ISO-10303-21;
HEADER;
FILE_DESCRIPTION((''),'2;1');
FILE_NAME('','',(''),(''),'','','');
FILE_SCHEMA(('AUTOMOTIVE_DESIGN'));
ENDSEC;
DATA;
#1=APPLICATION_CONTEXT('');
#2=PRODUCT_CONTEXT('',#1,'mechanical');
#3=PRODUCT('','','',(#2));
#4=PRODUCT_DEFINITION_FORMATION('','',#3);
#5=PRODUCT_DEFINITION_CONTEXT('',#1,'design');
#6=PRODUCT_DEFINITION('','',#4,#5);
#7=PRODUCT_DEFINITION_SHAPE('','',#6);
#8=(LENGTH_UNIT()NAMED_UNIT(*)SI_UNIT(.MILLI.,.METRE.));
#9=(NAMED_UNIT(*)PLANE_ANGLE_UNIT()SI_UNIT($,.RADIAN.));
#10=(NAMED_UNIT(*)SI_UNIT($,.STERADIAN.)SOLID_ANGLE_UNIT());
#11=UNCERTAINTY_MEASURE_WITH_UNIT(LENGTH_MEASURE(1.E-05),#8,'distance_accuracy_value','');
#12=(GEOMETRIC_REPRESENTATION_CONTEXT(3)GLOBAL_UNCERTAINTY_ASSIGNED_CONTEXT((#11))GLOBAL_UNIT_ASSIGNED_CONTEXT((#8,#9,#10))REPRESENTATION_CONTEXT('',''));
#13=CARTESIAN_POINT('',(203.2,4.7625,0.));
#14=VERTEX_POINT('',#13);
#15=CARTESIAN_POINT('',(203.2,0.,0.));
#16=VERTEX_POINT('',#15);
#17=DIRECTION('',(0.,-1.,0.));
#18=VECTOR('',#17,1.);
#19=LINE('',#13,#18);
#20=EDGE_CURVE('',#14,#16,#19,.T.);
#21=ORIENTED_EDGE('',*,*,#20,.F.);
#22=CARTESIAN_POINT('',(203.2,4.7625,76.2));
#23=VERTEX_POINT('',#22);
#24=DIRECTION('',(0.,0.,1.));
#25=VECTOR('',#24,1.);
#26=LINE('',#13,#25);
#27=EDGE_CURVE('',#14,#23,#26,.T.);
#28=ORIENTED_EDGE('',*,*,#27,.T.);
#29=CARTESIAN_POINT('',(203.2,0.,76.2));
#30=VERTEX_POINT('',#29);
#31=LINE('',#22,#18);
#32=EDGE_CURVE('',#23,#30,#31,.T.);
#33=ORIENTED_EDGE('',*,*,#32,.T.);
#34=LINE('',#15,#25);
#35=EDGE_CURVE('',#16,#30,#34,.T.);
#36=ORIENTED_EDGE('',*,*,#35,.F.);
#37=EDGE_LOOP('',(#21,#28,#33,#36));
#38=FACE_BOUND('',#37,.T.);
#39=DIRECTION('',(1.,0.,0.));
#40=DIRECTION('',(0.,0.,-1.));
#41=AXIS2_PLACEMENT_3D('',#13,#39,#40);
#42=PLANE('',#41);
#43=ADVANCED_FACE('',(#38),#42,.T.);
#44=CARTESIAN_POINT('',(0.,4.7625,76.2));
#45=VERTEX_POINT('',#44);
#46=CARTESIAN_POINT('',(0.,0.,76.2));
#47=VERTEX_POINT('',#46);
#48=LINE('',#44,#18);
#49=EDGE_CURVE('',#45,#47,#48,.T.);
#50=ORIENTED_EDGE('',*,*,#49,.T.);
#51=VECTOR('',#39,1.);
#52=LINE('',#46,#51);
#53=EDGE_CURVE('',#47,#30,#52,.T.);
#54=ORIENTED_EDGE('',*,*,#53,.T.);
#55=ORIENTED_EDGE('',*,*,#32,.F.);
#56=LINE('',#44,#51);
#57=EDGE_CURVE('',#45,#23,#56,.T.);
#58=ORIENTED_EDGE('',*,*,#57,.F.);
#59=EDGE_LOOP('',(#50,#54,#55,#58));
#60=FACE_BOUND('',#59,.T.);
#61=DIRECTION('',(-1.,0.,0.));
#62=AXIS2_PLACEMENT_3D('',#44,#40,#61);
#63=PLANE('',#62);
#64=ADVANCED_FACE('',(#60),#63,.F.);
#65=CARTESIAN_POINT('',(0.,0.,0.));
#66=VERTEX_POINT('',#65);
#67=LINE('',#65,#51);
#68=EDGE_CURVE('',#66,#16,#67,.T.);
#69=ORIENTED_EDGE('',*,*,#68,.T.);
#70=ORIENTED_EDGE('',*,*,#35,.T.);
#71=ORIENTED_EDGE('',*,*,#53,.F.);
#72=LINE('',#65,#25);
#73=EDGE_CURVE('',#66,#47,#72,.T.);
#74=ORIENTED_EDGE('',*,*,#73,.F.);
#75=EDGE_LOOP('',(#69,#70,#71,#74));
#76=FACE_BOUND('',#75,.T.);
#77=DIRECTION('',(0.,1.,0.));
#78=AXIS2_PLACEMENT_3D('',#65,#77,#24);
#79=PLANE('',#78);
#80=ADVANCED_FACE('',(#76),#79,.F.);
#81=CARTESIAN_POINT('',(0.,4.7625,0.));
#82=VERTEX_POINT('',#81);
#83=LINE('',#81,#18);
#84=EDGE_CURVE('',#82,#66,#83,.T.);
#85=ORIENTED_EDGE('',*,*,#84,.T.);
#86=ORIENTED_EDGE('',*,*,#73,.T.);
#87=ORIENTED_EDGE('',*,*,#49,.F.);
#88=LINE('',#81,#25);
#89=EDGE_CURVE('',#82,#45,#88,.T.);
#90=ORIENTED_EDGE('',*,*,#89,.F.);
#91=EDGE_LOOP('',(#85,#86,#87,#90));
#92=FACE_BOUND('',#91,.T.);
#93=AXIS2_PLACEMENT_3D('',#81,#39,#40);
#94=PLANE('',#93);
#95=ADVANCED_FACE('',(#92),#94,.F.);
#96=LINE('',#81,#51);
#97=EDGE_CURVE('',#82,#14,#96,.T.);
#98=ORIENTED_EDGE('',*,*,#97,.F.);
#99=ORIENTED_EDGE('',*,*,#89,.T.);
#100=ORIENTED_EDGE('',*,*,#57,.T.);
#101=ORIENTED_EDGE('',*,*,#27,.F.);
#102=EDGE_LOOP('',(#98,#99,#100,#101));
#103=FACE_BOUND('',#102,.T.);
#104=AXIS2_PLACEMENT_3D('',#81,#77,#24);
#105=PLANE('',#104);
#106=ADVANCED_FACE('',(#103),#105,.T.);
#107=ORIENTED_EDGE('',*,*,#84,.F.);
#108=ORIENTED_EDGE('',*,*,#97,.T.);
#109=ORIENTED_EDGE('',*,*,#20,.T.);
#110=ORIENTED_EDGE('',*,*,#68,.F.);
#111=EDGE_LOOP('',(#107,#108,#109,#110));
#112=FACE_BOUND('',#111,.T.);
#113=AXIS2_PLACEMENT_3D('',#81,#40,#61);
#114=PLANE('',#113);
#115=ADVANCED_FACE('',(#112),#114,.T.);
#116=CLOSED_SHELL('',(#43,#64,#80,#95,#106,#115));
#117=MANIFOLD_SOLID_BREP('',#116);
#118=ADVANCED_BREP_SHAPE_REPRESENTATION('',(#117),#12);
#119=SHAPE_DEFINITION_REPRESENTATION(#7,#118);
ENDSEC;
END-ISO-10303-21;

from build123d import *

# Parameters (mm, degrees)
SKETCH1_W           = 203.2
SKETCH1_H           = 76.2
BOSS_EXTRUDE1_DEPTH = 4.7625


with BuildPart() as part:
    # Sketch1 → Boss-Extrude1 (new body)
    with BuildSketch(Plane(origin=(0, 0, 0), x_dir=(1, 0, 0), z_dir=(0, 1, 0))):
        with Locations((101.6, -38.1)):
            Rectangle(SKETCH1_W, SKETCH1_H)
    extrude(amount=BOSS_EXTRUDE1_DEPTH)


solid = part.part
